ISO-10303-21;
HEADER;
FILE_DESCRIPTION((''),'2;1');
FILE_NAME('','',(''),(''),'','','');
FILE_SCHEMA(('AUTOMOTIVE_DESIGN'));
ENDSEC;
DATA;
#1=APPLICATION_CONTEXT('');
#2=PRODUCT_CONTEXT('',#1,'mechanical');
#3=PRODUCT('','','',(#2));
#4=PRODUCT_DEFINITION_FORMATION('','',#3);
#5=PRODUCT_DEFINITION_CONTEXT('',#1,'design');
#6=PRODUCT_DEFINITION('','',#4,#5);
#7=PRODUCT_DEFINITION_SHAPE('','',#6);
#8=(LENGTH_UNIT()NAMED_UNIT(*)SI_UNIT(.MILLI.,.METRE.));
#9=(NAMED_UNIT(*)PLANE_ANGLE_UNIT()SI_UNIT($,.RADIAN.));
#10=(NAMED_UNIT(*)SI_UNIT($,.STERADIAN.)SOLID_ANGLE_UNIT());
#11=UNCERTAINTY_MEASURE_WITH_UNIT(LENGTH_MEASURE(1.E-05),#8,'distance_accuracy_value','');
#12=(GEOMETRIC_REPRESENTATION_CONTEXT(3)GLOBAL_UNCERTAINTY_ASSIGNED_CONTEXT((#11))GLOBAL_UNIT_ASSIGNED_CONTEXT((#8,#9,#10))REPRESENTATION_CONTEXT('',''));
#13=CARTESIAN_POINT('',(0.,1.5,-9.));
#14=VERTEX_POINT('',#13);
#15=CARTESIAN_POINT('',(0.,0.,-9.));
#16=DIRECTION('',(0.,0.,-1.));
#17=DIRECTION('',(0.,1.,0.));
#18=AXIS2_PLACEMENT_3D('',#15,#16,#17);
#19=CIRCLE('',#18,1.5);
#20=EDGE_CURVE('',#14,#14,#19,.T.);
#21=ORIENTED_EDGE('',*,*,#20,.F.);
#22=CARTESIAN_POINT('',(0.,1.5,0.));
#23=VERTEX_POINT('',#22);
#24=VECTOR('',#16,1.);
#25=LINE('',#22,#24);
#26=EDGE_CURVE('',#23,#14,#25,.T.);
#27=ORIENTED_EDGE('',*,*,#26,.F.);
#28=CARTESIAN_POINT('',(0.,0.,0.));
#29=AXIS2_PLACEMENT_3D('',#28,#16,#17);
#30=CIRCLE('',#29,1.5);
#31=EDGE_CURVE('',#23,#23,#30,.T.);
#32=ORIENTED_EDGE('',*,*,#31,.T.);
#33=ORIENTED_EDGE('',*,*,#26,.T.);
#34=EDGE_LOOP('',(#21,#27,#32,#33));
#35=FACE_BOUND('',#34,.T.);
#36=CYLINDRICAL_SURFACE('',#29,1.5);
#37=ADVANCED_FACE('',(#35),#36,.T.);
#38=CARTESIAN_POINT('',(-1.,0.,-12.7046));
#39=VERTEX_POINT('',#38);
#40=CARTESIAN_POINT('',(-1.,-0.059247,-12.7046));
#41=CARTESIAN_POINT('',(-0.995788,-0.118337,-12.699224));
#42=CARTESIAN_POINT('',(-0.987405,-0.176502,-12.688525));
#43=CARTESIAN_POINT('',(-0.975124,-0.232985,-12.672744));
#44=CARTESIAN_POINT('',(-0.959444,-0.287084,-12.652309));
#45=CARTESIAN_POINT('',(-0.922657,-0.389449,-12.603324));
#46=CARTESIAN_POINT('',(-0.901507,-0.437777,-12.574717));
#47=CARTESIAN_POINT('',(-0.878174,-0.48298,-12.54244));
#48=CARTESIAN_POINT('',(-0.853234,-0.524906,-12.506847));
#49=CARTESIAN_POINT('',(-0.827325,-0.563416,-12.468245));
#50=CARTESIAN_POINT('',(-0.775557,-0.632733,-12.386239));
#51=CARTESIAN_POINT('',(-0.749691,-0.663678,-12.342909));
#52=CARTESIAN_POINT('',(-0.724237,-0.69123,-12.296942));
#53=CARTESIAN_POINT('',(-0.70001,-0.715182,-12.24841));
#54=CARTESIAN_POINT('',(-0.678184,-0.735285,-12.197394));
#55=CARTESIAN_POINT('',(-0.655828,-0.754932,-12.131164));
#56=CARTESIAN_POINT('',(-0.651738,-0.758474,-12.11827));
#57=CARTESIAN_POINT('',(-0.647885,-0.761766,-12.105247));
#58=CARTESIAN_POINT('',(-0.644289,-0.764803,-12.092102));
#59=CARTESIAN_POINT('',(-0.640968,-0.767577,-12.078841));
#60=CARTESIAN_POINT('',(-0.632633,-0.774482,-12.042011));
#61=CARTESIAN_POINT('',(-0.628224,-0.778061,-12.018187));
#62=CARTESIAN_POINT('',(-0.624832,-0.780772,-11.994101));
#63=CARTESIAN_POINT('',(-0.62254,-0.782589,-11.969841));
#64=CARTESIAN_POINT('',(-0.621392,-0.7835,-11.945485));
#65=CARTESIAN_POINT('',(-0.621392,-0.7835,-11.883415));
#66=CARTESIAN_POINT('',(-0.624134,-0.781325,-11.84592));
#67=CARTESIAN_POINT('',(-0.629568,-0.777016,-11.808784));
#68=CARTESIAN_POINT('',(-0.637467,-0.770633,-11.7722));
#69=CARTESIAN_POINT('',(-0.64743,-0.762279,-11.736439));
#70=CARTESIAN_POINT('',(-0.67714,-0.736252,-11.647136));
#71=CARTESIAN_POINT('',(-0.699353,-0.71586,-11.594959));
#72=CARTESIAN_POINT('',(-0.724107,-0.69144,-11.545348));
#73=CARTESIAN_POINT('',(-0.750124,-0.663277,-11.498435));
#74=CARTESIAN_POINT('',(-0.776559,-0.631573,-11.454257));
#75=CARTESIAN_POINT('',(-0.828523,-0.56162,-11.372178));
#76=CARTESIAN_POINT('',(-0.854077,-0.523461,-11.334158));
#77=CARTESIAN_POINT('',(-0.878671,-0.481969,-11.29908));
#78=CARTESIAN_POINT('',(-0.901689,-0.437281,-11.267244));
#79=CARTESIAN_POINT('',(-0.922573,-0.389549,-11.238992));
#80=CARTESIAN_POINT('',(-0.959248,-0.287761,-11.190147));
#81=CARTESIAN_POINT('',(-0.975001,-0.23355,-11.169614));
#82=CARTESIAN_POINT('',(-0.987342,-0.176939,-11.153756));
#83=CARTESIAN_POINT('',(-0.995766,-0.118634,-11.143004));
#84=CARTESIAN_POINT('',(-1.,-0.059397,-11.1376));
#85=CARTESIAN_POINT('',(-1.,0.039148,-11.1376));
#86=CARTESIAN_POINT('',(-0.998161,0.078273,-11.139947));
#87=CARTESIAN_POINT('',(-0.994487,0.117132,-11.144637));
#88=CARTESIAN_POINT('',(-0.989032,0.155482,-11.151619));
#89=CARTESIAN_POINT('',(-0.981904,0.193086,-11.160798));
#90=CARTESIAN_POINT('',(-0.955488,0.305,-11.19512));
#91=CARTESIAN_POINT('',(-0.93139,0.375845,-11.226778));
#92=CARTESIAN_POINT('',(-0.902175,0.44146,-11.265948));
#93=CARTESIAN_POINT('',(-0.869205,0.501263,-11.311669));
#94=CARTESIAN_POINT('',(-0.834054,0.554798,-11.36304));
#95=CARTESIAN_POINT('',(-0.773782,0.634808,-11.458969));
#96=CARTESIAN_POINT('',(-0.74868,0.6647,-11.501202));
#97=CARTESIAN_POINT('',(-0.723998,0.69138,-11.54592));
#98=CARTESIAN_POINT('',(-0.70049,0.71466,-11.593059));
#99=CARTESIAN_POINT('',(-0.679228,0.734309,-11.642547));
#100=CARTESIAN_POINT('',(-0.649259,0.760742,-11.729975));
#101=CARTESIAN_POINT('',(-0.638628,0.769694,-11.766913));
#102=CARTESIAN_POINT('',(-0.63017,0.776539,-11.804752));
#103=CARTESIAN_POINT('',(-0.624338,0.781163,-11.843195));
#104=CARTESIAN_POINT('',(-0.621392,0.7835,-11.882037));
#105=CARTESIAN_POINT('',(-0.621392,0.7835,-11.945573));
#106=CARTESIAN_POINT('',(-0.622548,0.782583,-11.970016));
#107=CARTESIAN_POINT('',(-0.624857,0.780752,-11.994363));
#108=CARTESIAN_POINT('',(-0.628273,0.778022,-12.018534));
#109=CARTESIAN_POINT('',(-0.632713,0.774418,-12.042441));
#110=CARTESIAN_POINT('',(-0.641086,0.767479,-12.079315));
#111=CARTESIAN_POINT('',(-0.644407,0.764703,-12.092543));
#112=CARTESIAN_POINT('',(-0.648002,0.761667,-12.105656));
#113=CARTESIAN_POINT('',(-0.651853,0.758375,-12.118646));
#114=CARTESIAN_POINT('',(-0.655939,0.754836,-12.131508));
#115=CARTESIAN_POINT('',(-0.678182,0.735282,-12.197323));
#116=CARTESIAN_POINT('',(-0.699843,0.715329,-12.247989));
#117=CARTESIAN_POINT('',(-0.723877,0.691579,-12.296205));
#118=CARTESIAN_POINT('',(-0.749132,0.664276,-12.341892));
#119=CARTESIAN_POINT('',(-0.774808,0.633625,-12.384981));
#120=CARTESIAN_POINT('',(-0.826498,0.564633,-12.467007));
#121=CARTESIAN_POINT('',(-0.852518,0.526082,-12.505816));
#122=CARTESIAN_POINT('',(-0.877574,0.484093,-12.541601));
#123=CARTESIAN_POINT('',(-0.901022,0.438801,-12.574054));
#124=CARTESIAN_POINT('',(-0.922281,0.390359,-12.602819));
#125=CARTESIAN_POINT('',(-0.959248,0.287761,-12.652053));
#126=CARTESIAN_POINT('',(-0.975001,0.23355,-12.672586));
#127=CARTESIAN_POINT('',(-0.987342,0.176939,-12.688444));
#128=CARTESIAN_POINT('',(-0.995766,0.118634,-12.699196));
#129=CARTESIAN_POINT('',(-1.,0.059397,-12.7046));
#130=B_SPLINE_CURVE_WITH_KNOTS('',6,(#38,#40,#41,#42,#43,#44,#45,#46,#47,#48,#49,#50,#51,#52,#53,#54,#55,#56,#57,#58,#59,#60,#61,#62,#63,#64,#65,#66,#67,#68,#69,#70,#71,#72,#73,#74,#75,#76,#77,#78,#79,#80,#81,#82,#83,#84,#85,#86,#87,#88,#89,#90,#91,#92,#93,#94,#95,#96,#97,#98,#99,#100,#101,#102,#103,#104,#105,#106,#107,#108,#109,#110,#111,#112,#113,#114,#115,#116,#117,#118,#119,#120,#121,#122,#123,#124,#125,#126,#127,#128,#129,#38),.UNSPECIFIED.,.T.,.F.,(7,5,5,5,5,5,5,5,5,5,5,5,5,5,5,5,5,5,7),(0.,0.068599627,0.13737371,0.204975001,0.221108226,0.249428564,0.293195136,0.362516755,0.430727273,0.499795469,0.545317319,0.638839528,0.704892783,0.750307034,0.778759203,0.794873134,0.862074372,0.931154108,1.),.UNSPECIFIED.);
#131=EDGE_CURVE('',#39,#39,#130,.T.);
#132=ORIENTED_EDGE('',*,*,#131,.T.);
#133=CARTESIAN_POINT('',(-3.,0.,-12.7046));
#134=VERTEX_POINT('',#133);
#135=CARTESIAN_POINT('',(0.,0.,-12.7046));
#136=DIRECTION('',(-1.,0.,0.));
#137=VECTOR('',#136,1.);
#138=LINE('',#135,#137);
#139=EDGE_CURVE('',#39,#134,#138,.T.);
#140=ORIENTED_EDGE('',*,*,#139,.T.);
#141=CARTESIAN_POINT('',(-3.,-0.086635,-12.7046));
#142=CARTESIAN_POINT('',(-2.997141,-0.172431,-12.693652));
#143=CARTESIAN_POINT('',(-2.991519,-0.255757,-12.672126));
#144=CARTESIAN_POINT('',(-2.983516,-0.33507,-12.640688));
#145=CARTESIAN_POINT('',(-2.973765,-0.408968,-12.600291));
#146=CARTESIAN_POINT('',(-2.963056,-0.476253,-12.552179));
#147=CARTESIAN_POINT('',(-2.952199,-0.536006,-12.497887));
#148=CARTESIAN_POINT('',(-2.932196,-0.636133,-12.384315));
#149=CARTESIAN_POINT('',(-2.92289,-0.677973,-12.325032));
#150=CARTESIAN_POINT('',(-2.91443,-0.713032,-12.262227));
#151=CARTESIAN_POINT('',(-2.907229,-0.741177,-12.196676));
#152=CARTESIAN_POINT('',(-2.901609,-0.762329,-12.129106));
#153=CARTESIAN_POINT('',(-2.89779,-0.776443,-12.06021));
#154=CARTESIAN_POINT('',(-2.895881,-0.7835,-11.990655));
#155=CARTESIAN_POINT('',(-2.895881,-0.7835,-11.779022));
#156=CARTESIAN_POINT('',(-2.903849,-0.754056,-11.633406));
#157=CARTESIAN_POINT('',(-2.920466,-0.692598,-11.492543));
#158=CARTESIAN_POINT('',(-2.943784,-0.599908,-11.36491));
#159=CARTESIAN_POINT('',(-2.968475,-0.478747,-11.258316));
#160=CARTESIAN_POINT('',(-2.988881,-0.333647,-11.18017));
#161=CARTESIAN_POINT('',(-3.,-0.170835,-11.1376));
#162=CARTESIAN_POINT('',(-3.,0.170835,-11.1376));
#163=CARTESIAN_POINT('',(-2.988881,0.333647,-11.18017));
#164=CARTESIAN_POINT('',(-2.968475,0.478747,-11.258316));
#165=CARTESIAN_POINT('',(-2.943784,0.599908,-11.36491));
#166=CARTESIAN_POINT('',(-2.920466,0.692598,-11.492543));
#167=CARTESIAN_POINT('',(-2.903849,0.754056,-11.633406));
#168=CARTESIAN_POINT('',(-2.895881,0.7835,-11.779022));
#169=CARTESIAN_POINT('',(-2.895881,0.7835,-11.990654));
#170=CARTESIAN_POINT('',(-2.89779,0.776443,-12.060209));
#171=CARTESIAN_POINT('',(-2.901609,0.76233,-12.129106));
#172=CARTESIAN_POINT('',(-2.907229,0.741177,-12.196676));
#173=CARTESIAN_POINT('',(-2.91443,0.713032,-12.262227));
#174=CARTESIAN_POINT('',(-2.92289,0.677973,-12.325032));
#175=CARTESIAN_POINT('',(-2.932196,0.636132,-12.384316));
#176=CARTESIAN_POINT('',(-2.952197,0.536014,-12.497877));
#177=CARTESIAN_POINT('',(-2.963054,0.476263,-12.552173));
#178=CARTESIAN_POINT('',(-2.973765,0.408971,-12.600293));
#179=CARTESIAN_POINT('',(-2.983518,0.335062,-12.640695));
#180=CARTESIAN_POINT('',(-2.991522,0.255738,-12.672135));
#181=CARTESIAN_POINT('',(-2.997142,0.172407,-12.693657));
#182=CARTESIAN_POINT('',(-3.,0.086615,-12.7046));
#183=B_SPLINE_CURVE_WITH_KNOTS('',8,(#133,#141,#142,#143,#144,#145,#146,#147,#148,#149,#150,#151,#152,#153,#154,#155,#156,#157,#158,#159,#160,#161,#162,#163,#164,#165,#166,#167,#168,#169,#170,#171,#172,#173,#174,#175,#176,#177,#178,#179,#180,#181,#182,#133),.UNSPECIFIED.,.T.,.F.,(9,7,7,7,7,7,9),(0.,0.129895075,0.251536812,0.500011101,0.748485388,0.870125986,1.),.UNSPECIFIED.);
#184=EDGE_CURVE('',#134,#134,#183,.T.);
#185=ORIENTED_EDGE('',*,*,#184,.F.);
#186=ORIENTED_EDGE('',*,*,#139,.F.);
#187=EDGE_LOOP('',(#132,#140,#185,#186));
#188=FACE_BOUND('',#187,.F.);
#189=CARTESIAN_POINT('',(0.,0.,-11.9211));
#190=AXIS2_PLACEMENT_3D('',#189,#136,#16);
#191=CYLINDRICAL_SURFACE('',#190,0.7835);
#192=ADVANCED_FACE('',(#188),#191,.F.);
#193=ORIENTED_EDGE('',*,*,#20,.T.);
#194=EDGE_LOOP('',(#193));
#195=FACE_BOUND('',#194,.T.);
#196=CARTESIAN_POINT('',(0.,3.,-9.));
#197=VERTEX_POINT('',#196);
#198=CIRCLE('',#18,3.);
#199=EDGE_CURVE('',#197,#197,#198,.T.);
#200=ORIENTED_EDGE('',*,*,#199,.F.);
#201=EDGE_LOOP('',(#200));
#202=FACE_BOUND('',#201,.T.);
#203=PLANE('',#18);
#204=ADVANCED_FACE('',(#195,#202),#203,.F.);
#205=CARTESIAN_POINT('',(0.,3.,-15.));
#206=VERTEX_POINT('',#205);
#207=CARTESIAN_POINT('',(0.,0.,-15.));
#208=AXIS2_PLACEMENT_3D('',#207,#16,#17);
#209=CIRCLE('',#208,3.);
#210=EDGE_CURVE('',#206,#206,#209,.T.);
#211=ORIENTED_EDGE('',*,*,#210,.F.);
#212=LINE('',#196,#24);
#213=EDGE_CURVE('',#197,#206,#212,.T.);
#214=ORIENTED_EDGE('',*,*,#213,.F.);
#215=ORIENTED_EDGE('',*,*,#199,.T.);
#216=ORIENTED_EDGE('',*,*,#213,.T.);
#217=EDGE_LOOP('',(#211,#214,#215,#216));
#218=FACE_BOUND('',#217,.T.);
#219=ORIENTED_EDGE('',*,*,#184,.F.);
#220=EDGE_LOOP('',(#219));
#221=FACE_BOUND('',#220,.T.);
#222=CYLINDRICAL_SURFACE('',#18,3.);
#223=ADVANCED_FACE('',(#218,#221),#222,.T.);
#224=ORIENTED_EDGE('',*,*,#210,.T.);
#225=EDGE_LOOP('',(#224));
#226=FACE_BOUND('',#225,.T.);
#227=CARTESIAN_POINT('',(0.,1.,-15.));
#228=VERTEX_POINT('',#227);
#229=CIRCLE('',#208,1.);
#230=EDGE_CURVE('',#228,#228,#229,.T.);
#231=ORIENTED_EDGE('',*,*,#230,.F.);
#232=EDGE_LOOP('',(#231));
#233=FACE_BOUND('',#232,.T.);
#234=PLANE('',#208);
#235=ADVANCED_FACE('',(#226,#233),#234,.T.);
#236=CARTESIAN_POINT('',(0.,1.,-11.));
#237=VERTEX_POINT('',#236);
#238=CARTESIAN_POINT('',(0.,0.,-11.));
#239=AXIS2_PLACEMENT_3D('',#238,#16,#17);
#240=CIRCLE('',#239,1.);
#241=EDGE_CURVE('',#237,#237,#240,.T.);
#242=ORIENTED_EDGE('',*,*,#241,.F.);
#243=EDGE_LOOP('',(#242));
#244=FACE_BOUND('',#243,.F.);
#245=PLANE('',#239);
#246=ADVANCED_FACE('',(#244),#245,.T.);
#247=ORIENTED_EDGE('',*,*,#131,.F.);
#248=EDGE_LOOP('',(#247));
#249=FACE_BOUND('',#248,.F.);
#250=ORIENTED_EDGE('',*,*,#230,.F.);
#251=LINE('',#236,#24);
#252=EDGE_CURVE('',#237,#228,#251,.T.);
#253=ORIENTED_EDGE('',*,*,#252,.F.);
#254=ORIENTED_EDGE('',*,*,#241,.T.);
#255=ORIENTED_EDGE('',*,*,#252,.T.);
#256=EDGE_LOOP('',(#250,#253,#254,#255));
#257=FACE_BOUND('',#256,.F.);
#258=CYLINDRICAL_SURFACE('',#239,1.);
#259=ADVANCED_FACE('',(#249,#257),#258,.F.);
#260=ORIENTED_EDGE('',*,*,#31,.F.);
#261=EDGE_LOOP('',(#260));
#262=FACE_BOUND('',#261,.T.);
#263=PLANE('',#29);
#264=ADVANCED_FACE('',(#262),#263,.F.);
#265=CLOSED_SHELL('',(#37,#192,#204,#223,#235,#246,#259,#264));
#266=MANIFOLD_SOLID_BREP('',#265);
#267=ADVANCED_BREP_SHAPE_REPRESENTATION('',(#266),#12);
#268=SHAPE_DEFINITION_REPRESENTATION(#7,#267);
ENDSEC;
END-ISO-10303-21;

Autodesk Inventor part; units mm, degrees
ref_plane "YZ Plane" through (0, 0, 0) normal (1, 0, 0) x (0, 1, 0)
ref_plane "XZ Plane" through (0, 0, 0) normal (0, 1, 0) x (-1, 0, 0)
ref_plane "XY Plane" through (0, 0, 0) normal (0, 0, 1) x (1, 0, 0)
sketch "スケッチ1" plane through (0, 0, 0) normal (1, 0, 0) x (0, 1, 0)
  line L0 (0, 0) -> (1.5, 0)
  line L1 (1.5, 0) -> (1.5, -9)
  line L2 (1.5, -9) -> (3, -9)
  line L3 (3, -9) -> (3, -15)
  line L4 (3, -15) -> (1, -15)
  line L5 (0, 0) -> (0, -11)
  line L6 (0, -11) -> (1, -11)
  line L7 (1, -11) -> (1, -15)
  dimension "d0" = 1.5
  dimension "d1" = 1
  dimension "d2" = 9
  dimension "d3" = 4
  dimension "d4" = 2
  dimension "d5" = 2
revolve "回転1" add sketch "スケッチ1" angle 360 about axis through (0, 0, 0) along (0, 0, -1)
sketch "スケッチ2" plane through (0, 0, 0) normal (1, 0, 0) x (0, 1, 0)
  point P0 (0, 0)
  point P1 (0, -11.9211)
hole "穴1" at (0, 0, -11.9211) direction (-1, 0, 0) diameter 1.567 end through all thread size "M2x0.4" class "6H" standard "ANSI Metric M Profile"
